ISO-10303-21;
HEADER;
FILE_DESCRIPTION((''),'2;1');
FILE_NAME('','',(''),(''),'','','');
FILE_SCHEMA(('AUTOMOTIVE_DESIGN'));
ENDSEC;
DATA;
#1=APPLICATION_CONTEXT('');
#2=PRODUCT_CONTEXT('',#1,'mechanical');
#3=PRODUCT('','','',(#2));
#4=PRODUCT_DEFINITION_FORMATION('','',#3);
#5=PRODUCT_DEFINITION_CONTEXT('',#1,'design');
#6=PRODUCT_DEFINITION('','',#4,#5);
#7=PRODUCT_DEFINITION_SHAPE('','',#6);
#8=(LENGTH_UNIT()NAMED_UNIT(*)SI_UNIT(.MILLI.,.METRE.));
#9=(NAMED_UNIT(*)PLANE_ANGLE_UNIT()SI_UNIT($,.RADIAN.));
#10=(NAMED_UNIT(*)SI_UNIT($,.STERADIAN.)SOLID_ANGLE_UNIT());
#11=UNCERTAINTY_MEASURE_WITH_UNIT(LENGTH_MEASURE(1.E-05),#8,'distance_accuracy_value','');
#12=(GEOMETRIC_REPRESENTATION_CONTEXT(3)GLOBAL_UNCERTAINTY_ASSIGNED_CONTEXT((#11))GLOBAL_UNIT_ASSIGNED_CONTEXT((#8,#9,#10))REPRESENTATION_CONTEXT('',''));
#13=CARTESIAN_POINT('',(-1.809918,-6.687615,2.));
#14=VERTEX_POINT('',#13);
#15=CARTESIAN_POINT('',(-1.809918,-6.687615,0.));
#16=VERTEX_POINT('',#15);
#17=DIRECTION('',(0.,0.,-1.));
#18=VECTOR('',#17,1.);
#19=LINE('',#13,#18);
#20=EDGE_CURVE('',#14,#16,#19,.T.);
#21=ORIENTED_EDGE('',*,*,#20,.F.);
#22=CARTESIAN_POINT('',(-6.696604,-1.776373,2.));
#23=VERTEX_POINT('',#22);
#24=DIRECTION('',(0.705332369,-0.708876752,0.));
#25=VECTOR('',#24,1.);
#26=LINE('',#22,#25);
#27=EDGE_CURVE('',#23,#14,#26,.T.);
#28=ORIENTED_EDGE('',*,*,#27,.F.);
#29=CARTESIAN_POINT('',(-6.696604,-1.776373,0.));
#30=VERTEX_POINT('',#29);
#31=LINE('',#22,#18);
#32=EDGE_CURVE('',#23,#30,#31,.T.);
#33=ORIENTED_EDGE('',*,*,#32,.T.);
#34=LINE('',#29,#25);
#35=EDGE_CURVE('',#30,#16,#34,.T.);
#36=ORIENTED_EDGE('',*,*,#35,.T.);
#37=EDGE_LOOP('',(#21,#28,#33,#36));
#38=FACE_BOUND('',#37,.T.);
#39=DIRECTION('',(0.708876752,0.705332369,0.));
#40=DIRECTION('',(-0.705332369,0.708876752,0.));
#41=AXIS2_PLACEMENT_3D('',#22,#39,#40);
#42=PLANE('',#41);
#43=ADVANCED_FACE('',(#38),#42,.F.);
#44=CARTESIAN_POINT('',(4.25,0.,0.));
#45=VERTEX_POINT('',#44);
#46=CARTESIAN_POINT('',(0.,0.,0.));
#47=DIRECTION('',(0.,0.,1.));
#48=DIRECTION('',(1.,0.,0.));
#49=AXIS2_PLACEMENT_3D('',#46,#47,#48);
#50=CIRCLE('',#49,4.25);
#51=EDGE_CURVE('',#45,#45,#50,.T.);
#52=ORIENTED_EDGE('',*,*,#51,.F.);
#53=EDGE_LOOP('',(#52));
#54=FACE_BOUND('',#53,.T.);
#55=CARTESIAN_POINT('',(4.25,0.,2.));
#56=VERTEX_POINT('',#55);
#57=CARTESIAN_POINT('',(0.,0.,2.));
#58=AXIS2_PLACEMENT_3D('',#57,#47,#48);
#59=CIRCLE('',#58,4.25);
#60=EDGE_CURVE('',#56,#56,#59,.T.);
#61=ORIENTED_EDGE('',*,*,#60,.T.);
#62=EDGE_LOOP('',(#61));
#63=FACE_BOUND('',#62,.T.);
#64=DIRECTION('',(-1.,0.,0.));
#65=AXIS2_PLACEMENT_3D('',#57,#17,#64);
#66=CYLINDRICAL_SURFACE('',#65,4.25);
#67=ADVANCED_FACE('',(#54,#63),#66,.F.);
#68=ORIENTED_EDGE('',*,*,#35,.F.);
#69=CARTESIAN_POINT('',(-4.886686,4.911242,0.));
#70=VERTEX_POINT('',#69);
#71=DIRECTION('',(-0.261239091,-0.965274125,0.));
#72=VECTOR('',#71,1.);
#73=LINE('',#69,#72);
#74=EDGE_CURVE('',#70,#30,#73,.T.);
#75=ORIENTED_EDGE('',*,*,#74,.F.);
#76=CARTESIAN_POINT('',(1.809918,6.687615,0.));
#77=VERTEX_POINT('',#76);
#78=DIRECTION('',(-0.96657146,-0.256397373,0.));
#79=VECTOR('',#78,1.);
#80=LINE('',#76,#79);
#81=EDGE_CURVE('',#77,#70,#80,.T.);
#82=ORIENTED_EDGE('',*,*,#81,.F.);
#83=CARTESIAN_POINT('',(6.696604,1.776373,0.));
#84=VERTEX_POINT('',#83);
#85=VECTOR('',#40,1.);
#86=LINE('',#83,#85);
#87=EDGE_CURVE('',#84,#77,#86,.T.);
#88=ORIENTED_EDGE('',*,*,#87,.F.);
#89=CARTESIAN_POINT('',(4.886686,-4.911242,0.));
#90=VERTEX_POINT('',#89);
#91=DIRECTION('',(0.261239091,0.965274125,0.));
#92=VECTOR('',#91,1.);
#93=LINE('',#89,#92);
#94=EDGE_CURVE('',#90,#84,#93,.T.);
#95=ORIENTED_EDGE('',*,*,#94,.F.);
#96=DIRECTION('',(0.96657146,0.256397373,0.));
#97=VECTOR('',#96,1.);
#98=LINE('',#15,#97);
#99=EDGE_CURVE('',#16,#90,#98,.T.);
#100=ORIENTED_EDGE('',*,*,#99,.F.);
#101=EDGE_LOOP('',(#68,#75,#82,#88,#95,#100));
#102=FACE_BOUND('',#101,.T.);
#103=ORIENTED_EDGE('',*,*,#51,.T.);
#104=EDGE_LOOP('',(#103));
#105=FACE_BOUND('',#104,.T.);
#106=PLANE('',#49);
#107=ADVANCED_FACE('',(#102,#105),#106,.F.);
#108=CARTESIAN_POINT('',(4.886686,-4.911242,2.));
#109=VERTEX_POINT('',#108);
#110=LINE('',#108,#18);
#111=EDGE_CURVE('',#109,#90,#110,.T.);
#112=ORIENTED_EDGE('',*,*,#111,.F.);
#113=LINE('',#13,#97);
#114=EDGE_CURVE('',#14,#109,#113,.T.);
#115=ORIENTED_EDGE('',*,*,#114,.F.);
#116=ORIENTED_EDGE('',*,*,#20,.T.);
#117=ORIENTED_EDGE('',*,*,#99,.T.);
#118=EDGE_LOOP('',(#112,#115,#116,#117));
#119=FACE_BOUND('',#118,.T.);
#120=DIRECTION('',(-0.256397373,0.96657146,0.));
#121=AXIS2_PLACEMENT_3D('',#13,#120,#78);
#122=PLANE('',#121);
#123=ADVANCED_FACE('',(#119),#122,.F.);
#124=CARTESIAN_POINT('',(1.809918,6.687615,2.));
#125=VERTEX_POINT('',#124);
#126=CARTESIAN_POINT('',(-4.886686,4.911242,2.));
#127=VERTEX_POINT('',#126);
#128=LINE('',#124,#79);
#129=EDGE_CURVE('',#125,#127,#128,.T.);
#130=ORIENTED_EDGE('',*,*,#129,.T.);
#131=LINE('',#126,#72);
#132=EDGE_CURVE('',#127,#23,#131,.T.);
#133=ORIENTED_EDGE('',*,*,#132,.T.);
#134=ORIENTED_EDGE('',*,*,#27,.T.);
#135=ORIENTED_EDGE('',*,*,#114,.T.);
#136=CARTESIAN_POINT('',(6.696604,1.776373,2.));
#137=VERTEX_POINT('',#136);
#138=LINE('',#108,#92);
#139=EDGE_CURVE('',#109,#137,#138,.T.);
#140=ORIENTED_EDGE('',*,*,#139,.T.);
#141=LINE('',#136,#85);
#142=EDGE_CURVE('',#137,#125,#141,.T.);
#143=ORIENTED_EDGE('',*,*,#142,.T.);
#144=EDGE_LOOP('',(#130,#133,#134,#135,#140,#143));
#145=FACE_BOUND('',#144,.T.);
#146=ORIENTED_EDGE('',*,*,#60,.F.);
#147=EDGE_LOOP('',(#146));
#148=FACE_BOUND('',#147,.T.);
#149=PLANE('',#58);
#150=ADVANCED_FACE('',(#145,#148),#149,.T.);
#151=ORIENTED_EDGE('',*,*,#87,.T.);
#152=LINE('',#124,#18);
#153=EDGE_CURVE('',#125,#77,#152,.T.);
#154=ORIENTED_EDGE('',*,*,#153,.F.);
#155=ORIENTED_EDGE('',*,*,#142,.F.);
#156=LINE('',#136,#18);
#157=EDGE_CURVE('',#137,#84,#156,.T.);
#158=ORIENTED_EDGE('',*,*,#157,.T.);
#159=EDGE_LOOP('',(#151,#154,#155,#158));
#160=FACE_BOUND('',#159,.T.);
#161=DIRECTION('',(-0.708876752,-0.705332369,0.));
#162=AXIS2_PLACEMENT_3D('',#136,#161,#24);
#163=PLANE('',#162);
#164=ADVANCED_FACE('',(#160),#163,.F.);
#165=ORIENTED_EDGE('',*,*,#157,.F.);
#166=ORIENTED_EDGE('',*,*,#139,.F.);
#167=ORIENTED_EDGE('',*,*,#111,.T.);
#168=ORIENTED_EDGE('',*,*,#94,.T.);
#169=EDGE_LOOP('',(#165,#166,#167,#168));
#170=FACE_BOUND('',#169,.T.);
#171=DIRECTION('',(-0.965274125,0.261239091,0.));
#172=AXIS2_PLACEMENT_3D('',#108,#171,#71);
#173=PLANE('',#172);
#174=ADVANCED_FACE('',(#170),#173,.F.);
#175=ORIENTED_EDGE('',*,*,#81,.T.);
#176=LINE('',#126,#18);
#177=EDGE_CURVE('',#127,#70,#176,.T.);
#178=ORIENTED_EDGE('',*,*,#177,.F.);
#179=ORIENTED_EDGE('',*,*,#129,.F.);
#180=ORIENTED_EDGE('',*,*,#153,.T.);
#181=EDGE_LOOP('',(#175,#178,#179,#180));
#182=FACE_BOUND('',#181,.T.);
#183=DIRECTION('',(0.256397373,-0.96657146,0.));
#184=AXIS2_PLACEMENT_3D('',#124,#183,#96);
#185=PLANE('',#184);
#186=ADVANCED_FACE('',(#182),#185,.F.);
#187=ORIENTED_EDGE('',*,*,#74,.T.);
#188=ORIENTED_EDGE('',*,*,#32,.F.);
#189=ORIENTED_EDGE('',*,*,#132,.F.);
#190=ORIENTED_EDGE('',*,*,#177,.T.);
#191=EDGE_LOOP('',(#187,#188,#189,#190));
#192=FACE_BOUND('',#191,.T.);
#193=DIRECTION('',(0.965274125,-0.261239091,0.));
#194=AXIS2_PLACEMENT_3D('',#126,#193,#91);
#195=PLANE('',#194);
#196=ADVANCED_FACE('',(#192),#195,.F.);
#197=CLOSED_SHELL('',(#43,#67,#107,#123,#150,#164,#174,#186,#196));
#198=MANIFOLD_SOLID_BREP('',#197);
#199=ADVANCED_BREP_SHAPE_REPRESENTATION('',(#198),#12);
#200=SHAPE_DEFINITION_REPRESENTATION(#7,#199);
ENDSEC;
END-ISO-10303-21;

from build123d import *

# Parameters (mm, degrees)
SKETCH1_R           = 4.25
BOSS_EXTRUDE1_DEPTH = 2


with BuildPart() as part:
    # Sketch1 → Boss-Extrude1 (new body)
    with BuildSketch(Plane.XY):
        Polygon((4.886685994, -4.911242205), (6.696603511, 1.776373109), (1.809917517, 6.687615314), (-4.886685994, 4.911242205), (-6.696603511, -1.776373109), (-1.809917517, -6.687615314), align=None)
        Circle(SKETCH1_R, mode=Mode.SUBTRACT)
    extrude(amount=BOSS_EXTRUDE1_DEPTH)


solid = part.part
